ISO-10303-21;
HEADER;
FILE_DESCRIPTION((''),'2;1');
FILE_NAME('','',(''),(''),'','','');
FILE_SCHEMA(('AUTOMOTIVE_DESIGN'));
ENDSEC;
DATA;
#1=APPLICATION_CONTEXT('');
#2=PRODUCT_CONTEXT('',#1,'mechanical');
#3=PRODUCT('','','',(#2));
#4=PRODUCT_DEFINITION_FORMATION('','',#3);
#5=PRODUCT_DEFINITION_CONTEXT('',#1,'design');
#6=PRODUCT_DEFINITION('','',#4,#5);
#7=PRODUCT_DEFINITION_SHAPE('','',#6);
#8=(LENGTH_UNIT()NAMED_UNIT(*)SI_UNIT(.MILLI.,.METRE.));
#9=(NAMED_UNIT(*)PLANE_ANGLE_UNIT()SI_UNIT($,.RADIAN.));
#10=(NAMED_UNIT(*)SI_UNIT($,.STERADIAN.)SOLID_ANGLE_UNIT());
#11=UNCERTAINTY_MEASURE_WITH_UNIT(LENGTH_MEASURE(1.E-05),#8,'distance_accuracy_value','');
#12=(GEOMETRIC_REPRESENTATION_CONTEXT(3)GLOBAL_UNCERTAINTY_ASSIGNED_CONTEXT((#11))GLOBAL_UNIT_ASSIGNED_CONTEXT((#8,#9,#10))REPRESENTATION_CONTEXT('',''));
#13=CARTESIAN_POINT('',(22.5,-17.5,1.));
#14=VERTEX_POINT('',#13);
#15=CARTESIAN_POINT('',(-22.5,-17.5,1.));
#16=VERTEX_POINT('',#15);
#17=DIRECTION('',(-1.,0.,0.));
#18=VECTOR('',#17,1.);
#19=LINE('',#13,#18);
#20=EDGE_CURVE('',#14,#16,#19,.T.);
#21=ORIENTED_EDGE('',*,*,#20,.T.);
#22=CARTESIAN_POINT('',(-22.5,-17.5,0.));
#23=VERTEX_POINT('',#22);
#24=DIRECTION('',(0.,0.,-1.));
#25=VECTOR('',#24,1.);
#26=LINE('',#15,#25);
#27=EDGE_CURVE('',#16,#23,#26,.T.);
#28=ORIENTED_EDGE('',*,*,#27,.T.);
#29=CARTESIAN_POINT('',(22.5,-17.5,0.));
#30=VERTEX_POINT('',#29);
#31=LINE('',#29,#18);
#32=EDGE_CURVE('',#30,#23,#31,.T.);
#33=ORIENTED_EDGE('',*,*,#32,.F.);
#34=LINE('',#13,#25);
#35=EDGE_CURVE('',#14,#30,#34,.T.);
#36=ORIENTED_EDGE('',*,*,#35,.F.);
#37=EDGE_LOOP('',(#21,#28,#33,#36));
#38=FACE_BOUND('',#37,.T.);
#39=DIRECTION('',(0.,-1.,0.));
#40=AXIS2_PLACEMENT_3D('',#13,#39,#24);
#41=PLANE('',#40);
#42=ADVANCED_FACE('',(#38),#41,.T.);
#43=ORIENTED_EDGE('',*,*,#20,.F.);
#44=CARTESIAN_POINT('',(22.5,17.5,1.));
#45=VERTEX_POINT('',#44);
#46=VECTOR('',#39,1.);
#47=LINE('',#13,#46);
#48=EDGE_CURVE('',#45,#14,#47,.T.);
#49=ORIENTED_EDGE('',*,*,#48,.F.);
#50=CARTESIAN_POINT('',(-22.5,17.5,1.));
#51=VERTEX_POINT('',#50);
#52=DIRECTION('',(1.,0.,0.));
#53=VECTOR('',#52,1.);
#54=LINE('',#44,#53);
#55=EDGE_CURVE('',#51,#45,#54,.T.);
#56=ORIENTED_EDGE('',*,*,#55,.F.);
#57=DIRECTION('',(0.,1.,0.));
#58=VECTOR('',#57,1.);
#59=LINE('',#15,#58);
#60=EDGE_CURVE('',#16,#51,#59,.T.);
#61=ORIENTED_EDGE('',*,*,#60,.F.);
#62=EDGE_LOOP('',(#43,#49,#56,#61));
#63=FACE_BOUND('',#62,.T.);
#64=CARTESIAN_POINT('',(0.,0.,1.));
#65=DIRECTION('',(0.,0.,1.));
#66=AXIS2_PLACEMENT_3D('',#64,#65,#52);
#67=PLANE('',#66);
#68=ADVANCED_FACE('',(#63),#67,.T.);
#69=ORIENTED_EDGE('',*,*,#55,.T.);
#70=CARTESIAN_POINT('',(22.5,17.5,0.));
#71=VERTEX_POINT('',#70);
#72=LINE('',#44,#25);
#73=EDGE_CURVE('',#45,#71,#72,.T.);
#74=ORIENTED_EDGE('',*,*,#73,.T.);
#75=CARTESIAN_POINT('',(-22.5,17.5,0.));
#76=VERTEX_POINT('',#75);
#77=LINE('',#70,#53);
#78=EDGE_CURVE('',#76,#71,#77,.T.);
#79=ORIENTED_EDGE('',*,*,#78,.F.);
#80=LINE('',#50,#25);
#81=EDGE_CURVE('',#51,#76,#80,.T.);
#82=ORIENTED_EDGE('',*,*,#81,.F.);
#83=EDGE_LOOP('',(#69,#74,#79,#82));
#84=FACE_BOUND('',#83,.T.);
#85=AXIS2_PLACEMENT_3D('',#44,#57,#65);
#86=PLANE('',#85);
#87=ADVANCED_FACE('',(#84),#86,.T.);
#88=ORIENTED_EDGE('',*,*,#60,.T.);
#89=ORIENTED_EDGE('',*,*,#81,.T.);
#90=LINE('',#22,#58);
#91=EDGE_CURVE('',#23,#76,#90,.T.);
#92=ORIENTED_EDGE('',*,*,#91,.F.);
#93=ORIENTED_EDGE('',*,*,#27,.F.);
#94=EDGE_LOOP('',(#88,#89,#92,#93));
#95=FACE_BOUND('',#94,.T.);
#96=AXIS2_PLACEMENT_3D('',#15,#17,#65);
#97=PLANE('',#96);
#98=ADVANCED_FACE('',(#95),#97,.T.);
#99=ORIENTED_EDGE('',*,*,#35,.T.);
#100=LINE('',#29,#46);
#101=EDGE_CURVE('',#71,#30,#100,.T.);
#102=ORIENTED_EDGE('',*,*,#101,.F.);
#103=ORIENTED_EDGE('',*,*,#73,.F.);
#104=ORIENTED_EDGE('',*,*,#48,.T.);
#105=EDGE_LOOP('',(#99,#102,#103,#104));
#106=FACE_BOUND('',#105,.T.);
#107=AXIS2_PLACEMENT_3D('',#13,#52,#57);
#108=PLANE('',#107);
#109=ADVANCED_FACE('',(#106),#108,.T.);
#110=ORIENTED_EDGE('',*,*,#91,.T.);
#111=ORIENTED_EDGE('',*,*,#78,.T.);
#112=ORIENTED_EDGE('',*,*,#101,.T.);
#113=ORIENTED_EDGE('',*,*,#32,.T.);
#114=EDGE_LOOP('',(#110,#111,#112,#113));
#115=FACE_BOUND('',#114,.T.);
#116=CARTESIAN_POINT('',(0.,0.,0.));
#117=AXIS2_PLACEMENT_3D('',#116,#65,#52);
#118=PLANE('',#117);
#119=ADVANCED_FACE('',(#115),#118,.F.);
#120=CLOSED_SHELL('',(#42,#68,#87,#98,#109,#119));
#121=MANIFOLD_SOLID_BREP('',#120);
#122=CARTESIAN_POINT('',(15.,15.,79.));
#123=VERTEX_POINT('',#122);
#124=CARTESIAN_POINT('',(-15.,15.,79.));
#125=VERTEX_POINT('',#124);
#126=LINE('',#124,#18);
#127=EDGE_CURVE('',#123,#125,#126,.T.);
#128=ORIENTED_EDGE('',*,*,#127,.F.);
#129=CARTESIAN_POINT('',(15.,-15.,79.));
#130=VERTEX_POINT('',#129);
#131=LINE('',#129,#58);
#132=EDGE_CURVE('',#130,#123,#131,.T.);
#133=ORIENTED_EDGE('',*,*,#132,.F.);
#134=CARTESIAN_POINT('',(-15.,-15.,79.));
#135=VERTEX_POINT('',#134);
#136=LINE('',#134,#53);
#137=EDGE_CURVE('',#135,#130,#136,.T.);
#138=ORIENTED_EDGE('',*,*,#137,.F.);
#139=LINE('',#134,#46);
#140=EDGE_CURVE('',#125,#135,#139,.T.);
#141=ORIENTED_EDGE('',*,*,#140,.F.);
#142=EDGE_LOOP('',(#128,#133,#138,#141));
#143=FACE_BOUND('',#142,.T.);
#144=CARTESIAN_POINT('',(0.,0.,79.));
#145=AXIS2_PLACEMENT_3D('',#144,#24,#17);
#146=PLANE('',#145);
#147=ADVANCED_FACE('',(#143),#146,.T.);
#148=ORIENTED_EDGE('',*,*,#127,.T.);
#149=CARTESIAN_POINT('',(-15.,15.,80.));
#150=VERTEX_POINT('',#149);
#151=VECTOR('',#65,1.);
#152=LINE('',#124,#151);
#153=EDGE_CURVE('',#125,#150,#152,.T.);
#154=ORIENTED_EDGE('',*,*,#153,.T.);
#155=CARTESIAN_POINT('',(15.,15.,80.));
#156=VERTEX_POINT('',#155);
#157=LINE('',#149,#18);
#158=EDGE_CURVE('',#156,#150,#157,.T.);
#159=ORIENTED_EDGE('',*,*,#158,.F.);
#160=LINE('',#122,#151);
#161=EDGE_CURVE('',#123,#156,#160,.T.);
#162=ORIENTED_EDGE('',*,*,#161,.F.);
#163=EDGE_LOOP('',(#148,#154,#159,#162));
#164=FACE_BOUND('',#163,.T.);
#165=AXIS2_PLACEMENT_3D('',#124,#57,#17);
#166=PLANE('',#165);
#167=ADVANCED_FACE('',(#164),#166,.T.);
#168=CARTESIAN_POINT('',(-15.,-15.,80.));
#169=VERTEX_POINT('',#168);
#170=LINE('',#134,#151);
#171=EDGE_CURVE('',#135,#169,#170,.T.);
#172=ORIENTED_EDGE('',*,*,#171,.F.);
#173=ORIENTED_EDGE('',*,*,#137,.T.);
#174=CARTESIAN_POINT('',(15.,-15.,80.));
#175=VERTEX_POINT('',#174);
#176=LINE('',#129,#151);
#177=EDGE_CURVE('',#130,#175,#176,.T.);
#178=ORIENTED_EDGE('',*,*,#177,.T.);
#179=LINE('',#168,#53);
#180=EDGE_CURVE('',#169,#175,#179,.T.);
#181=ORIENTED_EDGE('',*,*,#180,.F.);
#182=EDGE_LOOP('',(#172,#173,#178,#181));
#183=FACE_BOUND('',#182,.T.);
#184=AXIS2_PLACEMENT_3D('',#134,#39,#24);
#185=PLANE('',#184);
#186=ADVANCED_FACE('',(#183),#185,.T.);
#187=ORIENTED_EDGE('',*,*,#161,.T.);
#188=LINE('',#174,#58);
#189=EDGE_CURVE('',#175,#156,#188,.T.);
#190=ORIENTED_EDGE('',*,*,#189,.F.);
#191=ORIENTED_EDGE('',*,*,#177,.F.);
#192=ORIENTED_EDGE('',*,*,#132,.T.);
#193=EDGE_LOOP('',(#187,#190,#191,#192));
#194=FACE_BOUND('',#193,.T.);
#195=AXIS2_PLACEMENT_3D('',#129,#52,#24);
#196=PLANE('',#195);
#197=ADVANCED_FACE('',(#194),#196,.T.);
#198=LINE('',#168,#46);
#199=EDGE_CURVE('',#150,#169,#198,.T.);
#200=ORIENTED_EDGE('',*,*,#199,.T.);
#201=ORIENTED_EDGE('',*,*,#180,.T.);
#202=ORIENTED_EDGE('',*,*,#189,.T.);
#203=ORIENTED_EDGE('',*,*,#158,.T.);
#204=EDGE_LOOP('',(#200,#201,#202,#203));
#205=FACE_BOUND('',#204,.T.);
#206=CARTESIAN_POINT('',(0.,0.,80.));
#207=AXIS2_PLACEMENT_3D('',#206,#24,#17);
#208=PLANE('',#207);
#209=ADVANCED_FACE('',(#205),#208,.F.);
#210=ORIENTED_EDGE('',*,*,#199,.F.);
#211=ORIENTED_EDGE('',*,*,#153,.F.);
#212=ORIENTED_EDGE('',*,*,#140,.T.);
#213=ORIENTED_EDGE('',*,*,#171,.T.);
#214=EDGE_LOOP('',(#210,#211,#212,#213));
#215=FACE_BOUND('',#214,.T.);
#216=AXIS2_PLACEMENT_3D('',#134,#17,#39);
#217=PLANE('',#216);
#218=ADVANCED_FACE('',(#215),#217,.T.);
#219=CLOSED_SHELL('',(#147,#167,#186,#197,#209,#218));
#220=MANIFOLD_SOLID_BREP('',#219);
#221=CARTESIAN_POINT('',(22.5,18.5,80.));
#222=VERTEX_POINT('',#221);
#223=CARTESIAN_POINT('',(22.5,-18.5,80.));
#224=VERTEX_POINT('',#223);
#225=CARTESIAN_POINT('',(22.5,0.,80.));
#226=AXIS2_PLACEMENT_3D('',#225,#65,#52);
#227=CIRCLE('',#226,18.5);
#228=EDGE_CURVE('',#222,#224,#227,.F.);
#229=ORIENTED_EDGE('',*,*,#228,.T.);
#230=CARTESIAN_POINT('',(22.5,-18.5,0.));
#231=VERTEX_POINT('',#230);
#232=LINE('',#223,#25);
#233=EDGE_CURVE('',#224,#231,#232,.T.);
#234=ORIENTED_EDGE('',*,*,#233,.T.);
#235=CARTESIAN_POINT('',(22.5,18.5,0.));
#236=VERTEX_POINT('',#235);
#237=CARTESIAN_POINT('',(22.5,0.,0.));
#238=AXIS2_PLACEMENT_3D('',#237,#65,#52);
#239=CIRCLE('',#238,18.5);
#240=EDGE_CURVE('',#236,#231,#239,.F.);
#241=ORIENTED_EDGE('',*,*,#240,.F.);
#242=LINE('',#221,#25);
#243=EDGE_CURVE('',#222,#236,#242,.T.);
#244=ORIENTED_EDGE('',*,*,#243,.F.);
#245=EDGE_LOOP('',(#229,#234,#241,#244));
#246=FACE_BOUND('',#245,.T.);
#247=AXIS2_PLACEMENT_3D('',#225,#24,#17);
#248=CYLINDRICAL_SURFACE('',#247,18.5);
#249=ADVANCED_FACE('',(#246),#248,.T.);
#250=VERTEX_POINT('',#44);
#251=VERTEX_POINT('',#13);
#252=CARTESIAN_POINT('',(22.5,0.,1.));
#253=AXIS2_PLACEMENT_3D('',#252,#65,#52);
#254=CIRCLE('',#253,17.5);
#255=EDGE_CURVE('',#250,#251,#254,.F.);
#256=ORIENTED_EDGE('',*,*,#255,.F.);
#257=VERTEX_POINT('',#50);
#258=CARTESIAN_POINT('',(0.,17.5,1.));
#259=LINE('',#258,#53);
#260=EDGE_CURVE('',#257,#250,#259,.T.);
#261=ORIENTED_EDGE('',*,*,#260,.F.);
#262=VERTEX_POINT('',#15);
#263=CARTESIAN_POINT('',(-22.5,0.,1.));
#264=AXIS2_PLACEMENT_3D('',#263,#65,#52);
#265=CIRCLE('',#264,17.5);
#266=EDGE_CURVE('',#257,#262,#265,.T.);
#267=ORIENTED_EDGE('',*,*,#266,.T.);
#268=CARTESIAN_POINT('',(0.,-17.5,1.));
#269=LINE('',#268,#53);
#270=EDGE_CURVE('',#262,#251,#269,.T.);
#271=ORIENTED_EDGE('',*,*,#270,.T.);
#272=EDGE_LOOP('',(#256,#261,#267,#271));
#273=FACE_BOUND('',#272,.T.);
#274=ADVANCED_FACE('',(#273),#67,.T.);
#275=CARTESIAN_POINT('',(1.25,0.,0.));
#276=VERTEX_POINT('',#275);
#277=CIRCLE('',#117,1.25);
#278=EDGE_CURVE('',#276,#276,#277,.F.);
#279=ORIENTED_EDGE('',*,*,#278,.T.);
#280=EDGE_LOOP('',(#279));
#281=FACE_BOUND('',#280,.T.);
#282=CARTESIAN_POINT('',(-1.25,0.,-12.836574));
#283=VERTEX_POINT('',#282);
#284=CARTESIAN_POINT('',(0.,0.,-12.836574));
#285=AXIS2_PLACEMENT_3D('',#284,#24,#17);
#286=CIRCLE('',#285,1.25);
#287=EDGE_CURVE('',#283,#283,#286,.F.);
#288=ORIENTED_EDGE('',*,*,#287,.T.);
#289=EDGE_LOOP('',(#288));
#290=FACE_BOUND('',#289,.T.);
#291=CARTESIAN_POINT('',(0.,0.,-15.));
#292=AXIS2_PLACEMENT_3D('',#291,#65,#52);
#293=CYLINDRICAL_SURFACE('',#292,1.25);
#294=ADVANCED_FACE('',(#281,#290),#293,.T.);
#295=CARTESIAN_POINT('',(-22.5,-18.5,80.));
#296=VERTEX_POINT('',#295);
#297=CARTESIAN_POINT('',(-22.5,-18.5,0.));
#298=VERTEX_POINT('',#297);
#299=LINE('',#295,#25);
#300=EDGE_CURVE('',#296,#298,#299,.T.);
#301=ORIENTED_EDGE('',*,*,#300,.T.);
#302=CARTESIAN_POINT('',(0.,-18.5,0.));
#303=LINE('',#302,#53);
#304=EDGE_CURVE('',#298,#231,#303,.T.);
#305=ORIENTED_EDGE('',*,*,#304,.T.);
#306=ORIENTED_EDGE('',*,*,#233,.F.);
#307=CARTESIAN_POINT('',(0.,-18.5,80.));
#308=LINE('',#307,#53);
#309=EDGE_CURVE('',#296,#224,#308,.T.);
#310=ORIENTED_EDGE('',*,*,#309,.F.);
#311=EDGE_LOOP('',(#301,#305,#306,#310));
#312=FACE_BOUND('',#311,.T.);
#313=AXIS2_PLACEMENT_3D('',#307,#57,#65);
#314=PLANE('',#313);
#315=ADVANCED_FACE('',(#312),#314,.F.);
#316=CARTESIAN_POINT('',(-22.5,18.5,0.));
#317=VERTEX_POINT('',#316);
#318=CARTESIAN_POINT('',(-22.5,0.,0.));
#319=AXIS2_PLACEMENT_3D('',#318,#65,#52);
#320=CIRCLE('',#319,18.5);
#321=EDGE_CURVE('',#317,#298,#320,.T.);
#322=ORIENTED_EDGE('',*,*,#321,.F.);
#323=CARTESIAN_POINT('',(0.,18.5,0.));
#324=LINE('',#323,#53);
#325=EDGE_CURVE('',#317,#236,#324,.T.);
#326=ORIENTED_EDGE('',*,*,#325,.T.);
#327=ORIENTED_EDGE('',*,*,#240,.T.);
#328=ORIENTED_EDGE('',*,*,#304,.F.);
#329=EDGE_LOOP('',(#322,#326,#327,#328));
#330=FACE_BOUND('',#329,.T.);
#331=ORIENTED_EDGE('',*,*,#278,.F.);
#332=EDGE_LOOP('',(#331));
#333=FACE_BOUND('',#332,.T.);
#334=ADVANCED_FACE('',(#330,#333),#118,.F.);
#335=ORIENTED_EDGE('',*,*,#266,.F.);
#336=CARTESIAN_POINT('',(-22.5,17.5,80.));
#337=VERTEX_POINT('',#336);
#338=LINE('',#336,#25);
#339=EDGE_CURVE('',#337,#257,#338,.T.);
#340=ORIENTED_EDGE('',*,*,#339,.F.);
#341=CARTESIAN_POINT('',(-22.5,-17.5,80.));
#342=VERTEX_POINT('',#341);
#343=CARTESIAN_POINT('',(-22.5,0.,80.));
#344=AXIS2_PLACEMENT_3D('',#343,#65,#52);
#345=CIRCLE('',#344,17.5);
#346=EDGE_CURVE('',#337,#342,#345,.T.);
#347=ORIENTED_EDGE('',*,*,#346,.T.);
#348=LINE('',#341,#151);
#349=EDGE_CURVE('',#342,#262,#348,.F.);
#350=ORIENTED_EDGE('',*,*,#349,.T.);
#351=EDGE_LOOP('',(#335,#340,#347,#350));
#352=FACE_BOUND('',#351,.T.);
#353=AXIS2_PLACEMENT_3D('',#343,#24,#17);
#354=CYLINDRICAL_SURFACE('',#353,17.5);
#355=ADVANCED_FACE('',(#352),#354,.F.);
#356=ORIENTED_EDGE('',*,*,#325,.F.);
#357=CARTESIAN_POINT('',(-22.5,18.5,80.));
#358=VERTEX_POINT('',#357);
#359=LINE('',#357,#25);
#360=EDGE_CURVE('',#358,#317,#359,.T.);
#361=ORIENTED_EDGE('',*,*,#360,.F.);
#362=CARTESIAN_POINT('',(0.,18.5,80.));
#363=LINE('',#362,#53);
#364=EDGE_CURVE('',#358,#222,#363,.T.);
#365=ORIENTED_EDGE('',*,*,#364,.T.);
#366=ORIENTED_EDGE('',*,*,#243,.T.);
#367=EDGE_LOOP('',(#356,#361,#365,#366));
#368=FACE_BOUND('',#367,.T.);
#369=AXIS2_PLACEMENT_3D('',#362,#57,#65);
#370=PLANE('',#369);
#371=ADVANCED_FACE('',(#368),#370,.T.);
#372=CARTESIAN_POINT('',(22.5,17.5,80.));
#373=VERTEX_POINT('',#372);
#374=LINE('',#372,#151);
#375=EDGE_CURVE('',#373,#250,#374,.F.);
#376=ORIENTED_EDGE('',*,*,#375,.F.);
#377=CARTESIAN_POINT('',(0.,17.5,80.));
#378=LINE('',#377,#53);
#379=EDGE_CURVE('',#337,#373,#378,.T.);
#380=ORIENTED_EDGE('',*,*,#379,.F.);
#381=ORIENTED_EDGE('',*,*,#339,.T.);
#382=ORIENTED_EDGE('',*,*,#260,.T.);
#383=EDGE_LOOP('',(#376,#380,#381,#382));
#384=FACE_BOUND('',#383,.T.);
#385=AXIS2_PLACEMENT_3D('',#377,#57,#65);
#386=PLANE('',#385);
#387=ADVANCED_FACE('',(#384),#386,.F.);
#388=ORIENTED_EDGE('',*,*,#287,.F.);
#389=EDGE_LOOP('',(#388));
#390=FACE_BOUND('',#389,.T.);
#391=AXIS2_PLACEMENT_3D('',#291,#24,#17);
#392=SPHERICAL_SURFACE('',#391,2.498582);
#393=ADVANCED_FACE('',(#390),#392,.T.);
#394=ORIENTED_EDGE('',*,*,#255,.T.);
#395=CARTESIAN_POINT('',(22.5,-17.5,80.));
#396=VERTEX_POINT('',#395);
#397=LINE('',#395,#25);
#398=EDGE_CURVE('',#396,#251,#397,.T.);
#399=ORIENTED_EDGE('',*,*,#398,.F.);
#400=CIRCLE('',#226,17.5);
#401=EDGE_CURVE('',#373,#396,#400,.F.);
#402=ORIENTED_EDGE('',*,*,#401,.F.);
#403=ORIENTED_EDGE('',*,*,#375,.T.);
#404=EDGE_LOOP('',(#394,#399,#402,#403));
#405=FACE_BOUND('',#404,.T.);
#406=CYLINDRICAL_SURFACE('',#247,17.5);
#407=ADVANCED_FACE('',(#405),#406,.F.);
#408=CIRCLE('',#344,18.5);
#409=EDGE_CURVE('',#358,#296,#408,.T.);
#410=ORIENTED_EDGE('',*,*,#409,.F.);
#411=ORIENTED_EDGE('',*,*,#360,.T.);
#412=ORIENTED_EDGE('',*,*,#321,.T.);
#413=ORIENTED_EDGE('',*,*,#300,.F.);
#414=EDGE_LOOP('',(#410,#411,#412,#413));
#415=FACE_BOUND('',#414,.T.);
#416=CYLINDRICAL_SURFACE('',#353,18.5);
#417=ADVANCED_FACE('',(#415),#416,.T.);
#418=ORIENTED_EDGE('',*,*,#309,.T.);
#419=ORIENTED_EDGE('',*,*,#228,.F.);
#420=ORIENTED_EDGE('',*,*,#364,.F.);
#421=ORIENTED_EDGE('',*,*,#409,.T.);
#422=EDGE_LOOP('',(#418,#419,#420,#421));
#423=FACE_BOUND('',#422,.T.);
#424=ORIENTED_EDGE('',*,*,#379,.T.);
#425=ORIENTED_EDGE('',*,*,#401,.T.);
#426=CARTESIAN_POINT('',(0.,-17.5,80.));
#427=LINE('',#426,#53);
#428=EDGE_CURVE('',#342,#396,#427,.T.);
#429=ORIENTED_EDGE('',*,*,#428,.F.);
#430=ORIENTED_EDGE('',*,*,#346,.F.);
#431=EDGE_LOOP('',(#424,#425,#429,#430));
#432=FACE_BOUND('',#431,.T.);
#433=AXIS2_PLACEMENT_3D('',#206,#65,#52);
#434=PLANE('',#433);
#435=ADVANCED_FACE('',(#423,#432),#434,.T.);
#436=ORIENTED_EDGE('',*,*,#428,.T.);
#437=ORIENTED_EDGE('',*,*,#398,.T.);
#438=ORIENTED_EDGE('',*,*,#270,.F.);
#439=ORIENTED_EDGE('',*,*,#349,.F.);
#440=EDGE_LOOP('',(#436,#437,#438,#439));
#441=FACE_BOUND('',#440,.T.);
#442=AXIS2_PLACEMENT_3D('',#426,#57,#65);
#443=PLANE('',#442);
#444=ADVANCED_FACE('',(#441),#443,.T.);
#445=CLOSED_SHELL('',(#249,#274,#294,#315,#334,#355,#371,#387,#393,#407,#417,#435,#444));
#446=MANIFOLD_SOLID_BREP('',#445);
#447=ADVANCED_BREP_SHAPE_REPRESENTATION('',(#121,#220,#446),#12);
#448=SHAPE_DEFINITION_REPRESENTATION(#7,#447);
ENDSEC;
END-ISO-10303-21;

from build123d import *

# Parameters (mm, degrees)
SKETCH1_W           = 45
SKETCH1_H           = 37
BOSS_EXTRUDE1_DEPTH = 80
SHELL1_T            = -1
SKETCH2_W           = 45
SKETCH2_H           = 35
BOSS_EXTRUDE2_DEPTH = 1
SKETCH3_R           = 1.25
BOSS_EXTRUDE3_DEPTH = 15
SKETCH6_W           = 45
SKETCH6_H           = 35
BOSS_EXTRUDE4_DEPTH = 1
SKETCH7_W           = 30
SKETCH7_H           = 30
BOSS_EXTRUDE5_DEPTH = 1


with BuildPart() as part:
    # Sketch1 → Boss-Extrude1 (new body)
    with BuildSketch(Plane.XY):
        Rectangle(SKETCH1_W, SKETCH1_H)
        with BuildLine():
            ThreePointArc((22.5, 18.5), (41, 0), (22.5, -18.5))
            Line((22.5, -18.5), (22.5, 18.5))
        make_face()
        with BuildLine():
            Line((-22.5, -18.5), (-22.5, 18.5))
            ThreePointArc((-22.5, 18.5), (-41, 0), (-22.5, -18.5))
        make_face()
    extrude(amount=BOSS_EXTRUDE1_DEPTH)

    # Shell1
    shell1_openings = [part.faces().sort_by_distance(p)[0] for p in [
        (0, 0, 80),
    ]]
    offset(amount=SHELL1_T, openings=shell1_openings, kind=Kind.INTERSECTION)



with BuildPart() as body_2:
    # Sketch2 → Boss-Extrude2 (new body)
    with BuildSketch(Plane(origin=(0, 0, 0), x_dir=(-1, 0, 0), z_dir=(0, 0, -1))):
        Rectangle(SKETCH2_W, SKETCH2_H)
    extrude(amount=-BOSS_EXTRUDE2_DEPTH)


with BuildPart() as part_1:
    add(part.part)

    add(body_2.part)  # Boss-Extrude3 merges body 2
    # Sketch3 → Boss-Extrude3 (add)
    with BuildSketch(Plane(origin=(0, 0, 0), x_dir=(-1, 0, 0), z_dir=(0, 0, -1))):
        Circle(SKETCH3_R)
    extrude(amount=BOSS_EXTRUDE3_DEPTH)

    # Sketch5 → Revolve1 (revolve)
    with BuildSketch(Plane(origin=(0, 0, -15), x_dir=(-1, 0, 0), z_dir=(0, 0, -1))):
        with BuildLine():
            Line((0, 2.498582247), (0, -2.498582247))
            ThreePointArc((0, -2.498582247), (-2.498582247, 0), (0, 2.498582247))
        make_face()
    revolve(axis=Axis((0, 2.498582247, -15), (0, -1, 0)))


with BuildPart() as body_2_2:
    # Sketch6 → Boss-Extrude4 (new body)
    with BuildSketch(Plane(origin=(0, 0, 0), x_dir=(-1, 0, 0), z_dir=(0, 0, -1))):
        Rectangle(SKETCH6_W, SKETCH6_H)
    extrude(amount=-BOSS_EXTRUDE4_DEPTH)


with BuildPart() as body_3:
    # Sketch7 → Boss-Extrude5 (new body)
    with BuildSketch(Plane.XY.offset(80)):
        Rectangle(SKETCH7_W, SKETCH7_H)
    extrude(amount=-BOSS_EXTRUDE5_DEPTH)


solid = Compound([part_1.part, body_2_2.part, body_3.part])
